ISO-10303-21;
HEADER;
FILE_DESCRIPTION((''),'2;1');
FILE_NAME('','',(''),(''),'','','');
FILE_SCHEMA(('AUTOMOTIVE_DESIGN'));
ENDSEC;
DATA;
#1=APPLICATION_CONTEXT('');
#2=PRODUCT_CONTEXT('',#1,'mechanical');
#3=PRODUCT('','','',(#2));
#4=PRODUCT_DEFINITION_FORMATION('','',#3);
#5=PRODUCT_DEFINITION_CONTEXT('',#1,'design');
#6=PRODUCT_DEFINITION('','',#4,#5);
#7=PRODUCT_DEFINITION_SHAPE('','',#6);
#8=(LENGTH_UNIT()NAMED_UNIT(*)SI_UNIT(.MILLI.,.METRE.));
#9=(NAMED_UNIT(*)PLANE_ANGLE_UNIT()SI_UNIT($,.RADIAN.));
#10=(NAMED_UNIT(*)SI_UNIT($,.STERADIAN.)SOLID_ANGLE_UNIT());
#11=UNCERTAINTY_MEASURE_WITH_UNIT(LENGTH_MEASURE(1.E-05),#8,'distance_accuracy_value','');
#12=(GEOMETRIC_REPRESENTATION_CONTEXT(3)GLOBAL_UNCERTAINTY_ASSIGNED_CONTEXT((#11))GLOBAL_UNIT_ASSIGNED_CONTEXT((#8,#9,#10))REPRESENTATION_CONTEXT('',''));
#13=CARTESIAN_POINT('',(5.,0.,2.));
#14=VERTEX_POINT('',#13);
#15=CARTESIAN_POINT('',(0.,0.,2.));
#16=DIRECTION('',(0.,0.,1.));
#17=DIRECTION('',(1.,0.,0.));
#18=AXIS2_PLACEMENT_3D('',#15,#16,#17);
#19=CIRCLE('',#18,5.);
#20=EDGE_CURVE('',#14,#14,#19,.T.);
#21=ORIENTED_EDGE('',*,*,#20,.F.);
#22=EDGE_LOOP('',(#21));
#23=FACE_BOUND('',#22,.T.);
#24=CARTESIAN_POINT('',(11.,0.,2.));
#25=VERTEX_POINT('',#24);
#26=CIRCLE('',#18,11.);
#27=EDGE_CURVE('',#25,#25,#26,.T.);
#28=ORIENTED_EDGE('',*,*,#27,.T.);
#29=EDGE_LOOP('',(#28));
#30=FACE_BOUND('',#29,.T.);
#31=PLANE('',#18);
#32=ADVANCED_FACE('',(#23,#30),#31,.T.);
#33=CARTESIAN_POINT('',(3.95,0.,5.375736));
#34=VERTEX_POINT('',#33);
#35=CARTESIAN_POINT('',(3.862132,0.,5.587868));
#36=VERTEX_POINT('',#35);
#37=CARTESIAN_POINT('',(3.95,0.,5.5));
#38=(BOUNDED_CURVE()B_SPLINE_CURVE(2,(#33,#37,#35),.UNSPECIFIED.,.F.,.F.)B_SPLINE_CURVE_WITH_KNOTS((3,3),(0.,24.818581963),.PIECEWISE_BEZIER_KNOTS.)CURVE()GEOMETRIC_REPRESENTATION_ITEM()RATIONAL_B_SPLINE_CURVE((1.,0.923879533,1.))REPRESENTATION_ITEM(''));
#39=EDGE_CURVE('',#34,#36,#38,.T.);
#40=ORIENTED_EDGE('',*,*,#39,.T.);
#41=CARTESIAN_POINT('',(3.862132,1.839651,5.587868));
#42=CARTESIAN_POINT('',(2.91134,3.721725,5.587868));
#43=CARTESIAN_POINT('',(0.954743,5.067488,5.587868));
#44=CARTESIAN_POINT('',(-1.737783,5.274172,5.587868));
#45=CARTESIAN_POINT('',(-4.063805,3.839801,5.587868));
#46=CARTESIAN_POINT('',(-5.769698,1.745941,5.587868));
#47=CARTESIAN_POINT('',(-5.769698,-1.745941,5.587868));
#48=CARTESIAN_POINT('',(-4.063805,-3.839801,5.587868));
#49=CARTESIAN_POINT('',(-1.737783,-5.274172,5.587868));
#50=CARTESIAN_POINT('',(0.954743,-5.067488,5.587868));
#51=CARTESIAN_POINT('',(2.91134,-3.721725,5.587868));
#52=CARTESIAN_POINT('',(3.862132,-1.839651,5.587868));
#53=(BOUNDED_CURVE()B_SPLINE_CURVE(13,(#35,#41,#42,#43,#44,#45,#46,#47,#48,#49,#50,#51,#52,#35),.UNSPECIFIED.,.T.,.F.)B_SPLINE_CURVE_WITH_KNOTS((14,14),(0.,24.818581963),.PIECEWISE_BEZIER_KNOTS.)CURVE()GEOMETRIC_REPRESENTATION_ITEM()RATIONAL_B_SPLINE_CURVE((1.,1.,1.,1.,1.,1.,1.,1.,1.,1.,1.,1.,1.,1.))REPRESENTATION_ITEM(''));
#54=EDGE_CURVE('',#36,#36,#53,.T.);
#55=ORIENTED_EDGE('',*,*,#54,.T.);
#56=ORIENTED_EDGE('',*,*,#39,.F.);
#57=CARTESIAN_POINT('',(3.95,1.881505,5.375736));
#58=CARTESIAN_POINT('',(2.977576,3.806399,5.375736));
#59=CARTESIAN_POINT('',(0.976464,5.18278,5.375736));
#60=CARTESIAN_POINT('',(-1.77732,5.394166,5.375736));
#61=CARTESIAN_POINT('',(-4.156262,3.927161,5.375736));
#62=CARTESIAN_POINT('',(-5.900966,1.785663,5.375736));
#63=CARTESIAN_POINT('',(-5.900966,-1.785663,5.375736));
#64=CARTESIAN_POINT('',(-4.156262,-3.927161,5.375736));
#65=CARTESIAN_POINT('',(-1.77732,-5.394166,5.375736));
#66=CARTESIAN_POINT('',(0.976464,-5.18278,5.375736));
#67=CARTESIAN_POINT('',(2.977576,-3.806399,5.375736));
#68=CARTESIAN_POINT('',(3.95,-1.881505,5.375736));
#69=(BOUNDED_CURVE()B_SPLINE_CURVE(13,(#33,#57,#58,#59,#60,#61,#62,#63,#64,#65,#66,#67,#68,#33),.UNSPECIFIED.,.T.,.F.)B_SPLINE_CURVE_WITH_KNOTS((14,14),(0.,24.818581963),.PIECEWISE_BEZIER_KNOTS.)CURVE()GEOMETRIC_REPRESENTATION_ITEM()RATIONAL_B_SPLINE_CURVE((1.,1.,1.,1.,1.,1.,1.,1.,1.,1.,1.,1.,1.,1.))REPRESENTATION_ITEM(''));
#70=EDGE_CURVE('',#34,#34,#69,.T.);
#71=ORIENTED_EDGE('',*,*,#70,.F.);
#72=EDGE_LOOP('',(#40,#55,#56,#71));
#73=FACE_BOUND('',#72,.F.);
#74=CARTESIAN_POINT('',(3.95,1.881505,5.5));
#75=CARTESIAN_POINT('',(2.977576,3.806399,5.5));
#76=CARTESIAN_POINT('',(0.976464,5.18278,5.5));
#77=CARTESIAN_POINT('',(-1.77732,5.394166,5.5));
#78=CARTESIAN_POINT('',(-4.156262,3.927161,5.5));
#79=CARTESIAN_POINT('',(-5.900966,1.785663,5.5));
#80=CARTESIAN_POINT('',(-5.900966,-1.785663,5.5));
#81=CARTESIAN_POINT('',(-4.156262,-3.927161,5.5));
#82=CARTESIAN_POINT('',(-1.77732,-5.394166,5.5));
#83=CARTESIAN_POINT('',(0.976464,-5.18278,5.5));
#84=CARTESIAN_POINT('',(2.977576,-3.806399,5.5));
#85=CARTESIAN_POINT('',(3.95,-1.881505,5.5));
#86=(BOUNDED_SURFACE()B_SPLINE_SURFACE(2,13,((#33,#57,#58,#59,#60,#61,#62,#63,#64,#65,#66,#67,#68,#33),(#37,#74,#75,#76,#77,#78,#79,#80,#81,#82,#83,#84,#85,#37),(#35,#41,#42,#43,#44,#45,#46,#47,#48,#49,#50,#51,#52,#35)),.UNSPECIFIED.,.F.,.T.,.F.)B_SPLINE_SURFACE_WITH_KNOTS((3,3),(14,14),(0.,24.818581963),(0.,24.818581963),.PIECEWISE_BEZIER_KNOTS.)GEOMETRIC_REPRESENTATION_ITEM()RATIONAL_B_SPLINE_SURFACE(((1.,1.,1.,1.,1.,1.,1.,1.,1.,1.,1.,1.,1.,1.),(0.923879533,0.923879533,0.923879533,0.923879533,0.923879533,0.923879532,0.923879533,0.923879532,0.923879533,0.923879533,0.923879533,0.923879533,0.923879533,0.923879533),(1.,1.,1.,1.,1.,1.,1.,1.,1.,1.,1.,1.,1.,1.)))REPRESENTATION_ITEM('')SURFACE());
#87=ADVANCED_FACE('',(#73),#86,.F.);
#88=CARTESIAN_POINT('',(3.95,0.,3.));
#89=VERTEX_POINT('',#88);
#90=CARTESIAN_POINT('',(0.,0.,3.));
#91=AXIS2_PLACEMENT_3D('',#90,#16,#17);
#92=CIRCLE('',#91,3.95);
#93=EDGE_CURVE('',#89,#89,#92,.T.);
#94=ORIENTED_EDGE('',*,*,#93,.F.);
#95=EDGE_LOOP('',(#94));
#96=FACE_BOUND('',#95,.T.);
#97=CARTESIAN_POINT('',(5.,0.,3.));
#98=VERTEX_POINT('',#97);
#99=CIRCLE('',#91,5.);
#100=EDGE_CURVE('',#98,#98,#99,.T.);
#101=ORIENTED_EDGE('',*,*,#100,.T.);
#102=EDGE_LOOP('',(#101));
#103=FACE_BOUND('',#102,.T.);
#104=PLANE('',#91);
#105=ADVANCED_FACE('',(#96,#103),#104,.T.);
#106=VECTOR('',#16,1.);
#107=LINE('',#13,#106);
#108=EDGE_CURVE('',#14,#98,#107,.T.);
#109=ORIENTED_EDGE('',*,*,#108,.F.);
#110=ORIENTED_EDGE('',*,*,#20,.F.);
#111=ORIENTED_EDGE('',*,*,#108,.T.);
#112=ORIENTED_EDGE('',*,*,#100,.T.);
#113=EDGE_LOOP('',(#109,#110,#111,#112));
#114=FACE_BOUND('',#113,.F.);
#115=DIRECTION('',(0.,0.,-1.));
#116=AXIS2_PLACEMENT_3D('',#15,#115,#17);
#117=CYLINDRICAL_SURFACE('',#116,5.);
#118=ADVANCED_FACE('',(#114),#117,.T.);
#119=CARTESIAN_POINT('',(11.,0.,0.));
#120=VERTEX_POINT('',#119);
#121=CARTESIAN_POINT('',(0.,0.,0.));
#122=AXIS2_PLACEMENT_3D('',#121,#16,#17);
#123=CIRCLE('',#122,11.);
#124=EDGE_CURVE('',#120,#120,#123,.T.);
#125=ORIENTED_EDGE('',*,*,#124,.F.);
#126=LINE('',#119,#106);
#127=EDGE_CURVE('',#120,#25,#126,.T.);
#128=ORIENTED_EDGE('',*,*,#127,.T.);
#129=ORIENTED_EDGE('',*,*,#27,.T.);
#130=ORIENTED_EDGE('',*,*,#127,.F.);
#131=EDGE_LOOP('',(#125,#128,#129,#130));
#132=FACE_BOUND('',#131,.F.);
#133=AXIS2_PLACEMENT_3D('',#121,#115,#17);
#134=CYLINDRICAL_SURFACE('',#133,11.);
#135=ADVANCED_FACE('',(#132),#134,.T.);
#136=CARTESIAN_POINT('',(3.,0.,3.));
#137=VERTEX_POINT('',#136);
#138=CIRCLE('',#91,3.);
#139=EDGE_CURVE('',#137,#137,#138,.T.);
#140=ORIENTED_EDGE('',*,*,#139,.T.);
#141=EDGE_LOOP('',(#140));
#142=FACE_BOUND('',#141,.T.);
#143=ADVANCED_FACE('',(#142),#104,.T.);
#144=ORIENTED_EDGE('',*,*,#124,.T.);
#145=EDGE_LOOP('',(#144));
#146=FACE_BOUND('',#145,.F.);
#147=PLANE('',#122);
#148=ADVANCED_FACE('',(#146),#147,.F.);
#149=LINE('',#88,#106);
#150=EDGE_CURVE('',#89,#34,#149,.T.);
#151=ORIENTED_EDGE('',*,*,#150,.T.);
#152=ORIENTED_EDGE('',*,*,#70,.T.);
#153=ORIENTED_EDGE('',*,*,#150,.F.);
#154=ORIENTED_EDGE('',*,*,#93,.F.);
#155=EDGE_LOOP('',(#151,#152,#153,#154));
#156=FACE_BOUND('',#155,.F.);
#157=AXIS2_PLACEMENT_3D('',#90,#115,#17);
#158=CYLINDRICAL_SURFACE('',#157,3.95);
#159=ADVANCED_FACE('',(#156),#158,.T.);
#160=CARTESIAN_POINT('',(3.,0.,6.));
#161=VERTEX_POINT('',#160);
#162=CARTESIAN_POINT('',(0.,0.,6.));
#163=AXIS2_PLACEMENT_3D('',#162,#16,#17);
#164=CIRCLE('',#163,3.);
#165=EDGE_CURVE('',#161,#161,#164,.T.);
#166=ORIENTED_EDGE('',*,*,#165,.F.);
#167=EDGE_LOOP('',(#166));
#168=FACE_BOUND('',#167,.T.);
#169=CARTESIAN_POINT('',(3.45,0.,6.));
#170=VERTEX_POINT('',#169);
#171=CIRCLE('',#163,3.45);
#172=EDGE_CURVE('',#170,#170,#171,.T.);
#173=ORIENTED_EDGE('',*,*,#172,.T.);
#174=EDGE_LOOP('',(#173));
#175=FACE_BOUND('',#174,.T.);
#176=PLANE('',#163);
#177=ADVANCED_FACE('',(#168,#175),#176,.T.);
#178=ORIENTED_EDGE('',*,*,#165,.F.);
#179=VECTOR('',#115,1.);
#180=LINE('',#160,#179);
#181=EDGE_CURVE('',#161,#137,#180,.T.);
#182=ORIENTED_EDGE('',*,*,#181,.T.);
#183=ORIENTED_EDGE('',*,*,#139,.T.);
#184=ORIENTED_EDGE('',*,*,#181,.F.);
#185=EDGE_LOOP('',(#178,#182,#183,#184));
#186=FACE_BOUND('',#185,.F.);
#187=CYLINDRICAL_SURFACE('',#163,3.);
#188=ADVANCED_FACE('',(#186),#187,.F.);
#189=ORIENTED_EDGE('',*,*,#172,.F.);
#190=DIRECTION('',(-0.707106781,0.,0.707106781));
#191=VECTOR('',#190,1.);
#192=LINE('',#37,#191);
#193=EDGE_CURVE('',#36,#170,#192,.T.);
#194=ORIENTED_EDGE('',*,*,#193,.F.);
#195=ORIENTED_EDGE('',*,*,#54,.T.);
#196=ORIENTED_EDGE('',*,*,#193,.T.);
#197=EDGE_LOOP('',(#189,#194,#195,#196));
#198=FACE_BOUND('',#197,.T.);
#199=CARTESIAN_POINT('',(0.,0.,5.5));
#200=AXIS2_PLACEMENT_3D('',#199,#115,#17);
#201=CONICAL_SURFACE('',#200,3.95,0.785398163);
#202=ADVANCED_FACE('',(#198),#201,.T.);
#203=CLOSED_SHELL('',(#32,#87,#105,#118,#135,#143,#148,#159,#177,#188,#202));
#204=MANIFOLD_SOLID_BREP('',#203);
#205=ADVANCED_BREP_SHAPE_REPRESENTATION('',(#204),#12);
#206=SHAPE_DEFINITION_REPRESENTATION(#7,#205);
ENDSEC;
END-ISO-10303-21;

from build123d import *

# Parameters (mm, degrees)
F0_R     = 11
F1_DEPTH = 2
F2_R     = 5
F3_DEPTH = 1
F4_R     = 3.95
F5_DEPTH = 3
F6_R     = 3
F7_DEPTH = 3
F8_SIZE  = 0.5
F9_R     = 0.3


with BuildPart() as f1:
    # F0 (on Top) → F1 (new body)
    with BuildSketch(Plane.XY):
        Circle(F0_R)
    extrude(amount=F1_DEPTH)

    # F2 (on face) → F3 (join)
    with BuildSketch(Plane.XY.offset(2)):
        Circle(F2_R)
    extrude(amount=F3_DEPTH)

    # F4 (on face) → F5 (join)
    with BuildSketch(Plane.XY.offset(3)):
        Circle(F4_R)
    extrude(amount=F5_DEPTH)

    # F6 (on face) → F7 (cut)
    with BuildSketch(Plane.XY.offset(6)):
        Circle(F6_R)
    extrude(amount=-F7_DEPTH, mode=Mode.SUBTRACT)

    # F8
    f8_edges = [f1.edges().sort_by_distance(p)[0] for p in [
        (-3.95, 0, 6),
    ]]
    chamfer(f8_edges, length=F8_SIZE)

    # F9
    f9_edges = [f1.edges().sort_by_distance(p)[0] for p in [
        (-3.95, 0, 5.5),
    ]]
    fillet(f9_edges, radius=F9_R)


solid = f1.part
